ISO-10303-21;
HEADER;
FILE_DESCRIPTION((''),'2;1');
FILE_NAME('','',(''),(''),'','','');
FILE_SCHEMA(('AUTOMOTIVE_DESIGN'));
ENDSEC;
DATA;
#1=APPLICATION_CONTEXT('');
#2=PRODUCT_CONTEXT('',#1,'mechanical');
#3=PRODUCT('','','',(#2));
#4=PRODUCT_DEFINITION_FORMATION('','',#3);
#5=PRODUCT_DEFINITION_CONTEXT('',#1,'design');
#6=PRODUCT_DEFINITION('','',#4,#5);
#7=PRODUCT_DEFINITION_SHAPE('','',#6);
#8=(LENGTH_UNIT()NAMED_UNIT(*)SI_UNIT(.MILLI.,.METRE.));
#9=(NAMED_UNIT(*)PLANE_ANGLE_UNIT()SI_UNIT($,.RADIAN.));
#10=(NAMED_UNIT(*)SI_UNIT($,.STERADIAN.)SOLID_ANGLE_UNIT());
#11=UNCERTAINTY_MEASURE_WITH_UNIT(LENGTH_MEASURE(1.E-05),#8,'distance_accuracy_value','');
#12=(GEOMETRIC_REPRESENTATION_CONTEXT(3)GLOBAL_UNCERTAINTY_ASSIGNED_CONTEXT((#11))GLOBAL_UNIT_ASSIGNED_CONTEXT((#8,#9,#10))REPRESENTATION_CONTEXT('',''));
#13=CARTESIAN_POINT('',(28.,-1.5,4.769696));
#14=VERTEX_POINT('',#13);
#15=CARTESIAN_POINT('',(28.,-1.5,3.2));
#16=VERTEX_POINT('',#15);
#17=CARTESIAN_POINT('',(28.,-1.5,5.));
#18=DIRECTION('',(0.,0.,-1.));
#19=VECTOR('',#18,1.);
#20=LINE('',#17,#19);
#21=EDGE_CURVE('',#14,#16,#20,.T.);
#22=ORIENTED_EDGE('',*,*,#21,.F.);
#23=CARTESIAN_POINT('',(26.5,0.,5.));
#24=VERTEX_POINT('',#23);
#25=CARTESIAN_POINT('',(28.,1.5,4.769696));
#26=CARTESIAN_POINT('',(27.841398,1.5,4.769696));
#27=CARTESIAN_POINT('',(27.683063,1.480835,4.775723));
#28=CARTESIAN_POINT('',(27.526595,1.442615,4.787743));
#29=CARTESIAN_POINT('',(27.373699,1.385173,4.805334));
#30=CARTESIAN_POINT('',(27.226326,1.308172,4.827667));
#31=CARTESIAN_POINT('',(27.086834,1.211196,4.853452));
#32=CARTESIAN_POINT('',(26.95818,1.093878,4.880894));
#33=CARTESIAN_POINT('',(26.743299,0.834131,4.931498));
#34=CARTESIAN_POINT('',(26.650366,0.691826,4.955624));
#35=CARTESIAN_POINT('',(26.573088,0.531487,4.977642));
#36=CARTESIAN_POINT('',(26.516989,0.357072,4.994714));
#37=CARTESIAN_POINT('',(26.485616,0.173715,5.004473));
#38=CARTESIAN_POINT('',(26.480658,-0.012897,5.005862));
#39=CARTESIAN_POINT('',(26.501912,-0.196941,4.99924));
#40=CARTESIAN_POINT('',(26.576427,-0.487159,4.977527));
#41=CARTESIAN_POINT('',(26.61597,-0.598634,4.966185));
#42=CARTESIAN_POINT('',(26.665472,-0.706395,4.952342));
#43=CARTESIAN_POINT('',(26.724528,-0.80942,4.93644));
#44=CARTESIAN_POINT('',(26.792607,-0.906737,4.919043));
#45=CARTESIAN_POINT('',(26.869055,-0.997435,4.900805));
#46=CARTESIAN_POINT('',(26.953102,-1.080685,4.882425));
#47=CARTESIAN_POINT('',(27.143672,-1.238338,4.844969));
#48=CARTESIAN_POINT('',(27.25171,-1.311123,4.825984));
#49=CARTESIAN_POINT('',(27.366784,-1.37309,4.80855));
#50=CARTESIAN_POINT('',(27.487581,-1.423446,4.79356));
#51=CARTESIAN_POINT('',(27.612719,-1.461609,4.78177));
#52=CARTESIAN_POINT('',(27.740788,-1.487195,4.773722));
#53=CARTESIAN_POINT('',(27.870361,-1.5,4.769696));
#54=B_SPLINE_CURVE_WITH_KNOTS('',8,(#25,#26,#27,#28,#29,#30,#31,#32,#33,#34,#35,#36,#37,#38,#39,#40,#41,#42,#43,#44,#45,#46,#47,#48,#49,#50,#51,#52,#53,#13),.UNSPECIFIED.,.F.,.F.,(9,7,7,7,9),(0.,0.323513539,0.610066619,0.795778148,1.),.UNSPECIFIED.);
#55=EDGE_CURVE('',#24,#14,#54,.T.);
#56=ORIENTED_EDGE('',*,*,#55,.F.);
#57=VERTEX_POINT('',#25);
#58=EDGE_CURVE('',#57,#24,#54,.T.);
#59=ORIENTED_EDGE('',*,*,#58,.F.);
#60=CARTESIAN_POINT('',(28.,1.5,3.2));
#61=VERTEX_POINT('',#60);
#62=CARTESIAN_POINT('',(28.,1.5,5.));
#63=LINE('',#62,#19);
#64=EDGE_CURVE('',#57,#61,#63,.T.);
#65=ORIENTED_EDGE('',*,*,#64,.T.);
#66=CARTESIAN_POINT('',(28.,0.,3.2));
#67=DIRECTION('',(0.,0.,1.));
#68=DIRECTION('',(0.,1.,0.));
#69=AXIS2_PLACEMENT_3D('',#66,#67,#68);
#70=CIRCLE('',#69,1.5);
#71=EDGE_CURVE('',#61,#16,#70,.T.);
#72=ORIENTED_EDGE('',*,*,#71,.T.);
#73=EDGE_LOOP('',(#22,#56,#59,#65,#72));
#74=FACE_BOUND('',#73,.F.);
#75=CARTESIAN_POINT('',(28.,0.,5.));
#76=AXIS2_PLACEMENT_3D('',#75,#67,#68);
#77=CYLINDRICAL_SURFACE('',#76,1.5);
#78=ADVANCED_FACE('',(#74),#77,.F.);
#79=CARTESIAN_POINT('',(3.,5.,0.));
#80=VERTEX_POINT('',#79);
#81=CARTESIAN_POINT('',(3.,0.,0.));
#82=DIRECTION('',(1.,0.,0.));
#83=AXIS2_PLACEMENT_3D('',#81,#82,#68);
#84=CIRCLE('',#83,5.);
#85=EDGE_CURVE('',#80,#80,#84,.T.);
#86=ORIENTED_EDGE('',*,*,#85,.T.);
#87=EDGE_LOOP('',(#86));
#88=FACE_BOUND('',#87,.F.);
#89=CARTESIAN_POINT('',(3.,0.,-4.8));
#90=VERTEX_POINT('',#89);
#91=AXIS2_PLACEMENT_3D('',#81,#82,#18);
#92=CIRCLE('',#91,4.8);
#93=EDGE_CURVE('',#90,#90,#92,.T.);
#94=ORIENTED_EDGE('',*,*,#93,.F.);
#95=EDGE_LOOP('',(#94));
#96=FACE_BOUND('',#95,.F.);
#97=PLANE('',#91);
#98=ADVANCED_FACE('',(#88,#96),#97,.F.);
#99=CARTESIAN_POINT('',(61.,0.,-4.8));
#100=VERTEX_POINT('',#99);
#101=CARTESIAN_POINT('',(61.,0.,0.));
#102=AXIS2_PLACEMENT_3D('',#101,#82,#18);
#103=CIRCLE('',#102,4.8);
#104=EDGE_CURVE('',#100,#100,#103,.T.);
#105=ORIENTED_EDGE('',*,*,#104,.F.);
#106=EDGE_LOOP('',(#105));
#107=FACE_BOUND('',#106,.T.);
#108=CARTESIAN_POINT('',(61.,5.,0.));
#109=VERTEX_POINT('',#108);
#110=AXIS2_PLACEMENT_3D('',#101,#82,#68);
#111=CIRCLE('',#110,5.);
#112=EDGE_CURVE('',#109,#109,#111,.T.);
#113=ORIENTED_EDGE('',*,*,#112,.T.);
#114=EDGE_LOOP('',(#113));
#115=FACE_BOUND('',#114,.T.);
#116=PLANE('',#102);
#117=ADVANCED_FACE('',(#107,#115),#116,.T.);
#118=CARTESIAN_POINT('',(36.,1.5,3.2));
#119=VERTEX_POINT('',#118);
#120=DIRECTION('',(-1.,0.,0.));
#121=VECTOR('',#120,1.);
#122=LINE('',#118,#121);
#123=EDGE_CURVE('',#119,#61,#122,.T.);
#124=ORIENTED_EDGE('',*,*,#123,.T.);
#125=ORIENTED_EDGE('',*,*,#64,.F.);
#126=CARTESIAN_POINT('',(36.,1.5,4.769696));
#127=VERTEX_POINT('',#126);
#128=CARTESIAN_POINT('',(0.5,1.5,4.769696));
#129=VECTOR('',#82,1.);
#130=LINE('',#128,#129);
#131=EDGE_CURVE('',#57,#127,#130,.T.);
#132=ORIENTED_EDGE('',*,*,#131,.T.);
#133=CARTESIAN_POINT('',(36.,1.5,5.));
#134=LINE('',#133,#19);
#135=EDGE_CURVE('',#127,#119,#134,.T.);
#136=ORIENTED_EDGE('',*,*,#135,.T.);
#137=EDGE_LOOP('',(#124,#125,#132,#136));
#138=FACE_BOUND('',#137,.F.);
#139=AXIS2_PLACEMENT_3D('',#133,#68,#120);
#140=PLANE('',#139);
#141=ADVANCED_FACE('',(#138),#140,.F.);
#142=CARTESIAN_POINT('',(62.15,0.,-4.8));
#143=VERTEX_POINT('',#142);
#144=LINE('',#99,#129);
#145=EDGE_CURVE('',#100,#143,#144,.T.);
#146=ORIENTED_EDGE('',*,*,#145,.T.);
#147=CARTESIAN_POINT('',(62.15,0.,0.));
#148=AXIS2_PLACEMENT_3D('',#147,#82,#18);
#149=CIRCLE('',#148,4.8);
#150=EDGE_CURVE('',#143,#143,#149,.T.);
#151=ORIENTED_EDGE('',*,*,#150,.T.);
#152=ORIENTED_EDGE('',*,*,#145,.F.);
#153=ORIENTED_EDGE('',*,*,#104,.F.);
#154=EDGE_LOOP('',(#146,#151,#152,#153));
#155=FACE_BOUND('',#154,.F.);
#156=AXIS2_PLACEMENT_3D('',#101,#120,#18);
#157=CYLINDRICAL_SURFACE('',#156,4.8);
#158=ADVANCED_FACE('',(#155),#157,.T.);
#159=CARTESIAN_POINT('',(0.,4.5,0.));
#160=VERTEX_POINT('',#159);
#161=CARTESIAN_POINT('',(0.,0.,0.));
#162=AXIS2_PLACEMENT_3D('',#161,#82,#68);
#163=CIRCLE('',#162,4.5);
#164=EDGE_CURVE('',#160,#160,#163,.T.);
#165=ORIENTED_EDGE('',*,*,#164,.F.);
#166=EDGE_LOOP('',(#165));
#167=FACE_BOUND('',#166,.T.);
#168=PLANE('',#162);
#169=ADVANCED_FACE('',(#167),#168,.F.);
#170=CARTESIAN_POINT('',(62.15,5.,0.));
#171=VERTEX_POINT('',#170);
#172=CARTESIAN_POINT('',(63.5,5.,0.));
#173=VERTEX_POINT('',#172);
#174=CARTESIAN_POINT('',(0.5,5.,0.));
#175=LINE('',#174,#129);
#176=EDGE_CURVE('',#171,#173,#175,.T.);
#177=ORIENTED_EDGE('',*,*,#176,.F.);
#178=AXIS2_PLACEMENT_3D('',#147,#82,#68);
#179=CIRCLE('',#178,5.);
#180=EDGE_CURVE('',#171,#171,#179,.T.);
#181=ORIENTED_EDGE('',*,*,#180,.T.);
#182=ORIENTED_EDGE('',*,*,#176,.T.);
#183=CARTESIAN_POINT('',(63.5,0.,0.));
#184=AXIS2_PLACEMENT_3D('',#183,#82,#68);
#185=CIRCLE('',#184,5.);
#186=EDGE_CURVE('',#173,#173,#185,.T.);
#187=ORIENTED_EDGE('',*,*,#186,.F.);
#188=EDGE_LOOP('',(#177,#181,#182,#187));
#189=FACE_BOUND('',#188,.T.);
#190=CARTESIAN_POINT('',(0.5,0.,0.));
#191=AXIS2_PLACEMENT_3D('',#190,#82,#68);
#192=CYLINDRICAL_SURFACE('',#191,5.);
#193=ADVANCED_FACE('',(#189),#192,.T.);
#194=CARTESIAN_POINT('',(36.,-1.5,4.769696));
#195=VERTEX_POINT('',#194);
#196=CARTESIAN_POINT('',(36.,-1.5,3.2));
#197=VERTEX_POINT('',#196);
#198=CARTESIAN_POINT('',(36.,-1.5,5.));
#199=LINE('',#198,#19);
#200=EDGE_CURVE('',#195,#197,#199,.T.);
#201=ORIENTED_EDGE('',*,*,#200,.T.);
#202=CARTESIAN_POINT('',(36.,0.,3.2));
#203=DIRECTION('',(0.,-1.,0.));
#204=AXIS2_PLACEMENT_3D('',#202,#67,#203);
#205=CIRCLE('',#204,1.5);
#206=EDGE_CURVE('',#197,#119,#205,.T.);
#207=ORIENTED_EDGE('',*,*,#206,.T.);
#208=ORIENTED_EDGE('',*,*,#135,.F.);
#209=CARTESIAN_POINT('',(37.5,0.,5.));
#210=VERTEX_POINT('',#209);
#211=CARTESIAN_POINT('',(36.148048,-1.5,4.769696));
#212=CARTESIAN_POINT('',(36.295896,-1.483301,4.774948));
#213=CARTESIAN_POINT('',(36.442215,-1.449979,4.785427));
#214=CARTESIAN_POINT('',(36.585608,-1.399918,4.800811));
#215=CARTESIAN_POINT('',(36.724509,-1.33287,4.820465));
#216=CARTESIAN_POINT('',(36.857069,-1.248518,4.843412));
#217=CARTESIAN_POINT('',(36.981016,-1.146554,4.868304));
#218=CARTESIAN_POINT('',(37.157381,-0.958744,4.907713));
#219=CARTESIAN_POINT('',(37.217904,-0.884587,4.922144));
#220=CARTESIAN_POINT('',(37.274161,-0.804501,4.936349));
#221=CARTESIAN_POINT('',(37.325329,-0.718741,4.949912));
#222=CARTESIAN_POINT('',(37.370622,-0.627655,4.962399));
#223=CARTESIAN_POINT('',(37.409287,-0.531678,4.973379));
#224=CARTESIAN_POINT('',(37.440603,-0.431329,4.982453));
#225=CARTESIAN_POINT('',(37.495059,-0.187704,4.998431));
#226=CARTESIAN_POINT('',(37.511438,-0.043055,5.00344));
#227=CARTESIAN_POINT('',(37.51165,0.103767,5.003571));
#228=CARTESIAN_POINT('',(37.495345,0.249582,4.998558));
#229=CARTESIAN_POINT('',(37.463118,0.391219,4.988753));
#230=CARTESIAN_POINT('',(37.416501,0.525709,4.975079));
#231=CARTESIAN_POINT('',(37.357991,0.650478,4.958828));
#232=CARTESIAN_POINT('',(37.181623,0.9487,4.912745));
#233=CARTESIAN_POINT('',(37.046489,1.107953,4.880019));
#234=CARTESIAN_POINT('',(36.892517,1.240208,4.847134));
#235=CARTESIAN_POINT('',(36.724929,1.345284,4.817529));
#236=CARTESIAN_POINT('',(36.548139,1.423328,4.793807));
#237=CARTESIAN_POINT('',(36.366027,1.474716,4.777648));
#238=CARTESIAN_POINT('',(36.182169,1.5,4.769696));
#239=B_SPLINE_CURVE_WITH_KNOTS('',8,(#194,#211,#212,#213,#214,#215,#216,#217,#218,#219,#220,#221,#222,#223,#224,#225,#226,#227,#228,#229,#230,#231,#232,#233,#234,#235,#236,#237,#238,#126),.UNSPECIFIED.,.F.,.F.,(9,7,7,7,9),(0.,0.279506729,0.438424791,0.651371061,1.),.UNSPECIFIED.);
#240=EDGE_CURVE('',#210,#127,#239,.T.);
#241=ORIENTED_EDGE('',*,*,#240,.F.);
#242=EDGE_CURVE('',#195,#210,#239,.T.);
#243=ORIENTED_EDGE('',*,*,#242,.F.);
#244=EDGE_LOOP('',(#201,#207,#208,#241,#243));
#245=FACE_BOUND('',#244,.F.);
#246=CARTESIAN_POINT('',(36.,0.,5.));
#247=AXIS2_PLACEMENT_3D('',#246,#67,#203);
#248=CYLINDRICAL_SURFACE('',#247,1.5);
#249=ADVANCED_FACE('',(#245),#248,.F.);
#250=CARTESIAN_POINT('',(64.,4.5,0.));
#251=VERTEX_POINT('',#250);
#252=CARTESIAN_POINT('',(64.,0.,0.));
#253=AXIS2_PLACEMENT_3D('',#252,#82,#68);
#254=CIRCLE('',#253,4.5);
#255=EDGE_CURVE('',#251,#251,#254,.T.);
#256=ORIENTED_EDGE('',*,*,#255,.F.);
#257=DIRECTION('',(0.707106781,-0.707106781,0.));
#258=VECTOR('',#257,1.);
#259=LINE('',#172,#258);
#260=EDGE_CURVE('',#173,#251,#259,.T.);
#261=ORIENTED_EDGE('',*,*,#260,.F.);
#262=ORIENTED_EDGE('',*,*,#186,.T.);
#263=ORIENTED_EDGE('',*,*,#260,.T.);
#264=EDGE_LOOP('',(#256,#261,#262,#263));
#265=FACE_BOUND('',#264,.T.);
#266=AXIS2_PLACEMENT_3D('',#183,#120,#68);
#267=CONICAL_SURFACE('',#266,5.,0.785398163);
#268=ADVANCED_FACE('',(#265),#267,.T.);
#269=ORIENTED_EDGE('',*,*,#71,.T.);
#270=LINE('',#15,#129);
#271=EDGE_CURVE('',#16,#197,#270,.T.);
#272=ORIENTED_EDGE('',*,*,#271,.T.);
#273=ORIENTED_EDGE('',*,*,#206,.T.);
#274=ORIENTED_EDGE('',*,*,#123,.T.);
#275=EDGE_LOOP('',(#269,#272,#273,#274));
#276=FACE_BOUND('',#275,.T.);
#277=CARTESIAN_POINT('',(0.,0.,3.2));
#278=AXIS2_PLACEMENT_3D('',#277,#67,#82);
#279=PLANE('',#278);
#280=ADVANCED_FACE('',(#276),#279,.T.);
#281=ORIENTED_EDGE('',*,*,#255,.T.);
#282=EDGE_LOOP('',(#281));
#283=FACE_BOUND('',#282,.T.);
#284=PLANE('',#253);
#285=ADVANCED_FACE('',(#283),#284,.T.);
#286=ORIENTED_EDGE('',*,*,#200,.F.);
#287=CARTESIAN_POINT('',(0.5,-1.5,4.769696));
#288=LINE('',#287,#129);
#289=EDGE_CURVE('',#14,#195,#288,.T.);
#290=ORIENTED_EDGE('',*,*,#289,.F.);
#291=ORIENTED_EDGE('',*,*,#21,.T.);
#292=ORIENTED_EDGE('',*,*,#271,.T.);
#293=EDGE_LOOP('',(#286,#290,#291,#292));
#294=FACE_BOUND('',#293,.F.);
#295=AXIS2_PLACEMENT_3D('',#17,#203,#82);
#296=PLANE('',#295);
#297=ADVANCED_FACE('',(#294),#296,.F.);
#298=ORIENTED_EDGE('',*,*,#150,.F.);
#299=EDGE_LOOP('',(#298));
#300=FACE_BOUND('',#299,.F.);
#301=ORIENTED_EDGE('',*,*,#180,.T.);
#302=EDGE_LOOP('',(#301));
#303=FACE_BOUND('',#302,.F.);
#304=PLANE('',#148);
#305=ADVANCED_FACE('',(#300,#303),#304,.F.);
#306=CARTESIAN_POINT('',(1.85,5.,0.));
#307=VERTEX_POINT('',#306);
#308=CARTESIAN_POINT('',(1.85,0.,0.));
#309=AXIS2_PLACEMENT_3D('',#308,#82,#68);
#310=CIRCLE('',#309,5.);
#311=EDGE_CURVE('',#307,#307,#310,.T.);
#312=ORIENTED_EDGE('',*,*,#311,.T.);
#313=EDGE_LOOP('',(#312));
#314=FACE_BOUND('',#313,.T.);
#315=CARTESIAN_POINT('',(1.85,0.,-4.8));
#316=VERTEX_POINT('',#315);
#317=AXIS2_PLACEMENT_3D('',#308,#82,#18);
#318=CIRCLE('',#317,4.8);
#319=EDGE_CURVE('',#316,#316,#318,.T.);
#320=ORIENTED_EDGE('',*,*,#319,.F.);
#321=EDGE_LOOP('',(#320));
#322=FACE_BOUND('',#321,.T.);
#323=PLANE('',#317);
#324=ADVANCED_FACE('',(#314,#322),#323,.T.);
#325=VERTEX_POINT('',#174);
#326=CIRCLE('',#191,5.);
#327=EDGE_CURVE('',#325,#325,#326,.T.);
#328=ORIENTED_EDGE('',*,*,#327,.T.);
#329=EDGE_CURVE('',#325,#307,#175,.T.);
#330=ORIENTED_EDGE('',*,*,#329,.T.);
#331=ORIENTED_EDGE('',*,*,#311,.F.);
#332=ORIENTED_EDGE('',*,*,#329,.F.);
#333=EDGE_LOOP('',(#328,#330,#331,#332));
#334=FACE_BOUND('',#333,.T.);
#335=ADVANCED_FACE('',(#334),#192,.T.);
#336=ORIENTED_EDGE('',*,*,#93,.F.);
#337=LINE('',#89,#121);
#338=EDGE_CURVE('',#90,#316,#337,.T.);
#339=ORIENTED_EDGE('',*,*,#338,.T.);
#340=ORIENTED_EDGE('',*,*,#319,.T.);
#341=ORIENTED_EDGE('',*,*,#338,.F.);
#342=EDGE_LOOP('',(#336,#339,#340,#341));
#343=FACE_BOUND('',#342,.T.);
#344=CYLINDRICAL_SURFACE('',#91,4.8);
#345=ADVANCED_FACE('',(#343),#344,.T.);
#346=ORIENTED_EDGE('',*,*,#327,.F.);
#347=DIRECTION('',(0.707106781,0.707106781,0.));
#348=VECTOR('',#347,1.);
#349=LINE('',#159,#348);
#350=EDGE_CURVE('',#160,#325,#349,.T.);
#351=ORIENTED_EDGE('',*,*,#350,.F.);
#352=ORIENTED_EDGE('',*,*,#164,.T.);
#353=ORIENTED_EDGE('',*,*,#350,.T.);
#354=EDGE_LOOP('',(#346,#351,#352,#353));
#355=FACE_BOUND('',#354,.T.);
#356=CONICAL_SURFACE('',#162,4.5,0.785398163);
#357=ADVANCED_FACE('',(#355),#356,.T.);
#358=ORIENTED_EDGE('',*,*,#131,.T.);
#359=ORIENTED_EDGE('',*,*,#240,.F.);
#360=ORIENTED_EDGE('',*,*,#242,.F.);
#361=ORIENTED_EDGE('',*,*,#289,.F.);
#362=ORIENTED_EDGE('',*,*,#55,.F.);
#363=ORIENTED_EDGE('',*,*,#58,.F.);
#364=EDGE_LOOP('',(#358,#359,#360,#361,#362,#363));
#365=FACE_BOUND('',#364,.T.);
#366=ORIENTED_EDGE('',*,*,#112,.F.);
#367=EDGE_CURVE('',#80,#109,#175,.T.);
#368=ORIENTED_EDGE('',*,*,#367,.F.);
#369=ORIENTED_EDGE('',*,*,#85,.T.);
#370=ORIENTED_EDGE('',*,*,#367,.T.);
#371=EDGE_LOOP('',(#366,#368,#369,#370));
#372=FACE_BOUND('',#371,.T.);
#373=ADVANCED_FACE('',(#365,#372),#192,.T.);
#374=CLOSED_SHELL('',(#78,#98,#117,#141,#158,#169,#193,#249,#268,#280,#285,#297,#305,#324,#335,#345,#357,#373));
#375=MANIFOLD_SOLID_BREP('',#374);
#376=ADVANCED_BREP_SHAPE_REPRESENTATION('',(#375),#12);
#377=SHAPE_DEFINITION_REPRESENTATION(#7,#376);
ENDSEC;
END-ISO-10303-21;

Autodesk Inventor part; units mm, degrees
sketch "Sketch_1" plane through (0, 0, 0) normal (0, 0, 1) x (1, 0, 0)
  line L0 (64, 0) -> (0, 0)
  line L1 (0, 0) -> (0, 4.5)
  line L2 (0, 4.5) -> (0.5, 5)
  line L3 (0.5, 5) -> (63.5, 5)
  line L4 (63.5, 5) -> (64, 4.5)
  line L5 (64, 4.5) -> (64, 0)
  line L6 (64, 0) -> (0, 0)
revolve "Revolution1" add sketch "Sketch_1" angle 360 about axis through (64, 0, 0) along (1, 0, 0)
sketch "_____10" plane through (0, 0, 5) normal (0, 0, 1) x (1, 0, 0)
  arc A0 (28, 1.5) -> (28, -1.5) centre (28, 0) ccw
  line L0 (28, -1.5) -> (36, -1.5)
  arc A1 (36, -1.5) -> (36, 1.5) centre (36, 0) ccw
  line L1 (36, 1.5) -> (28, 1.5)
extrude "Extrusion1" cut sketch "_____10" against normal blind 1.8
sketch "_____5" plane through (3, 0, 0) normal (1, 0, 0) x (0, 0, -1)
  circle A0 centre (0, 0) radius 10
  circle A1 centre (0, 0) radius 4.8
extrude "Extrusion2" cut sketch "_____5" against normal blind 1.15
sketch "_____6" plane through (61, 0, 0) normal (1, 0, 0) x (0, 0, -1)
  circle A0 centre (0, 0) radius 10
  circle A1 centre (0, 0) radius 4.8
extrude "Extrusion3" cut sketch "_____6" along normal blind 1.15
ref_plane "COMBINATION_MODULE_XY" through (0, 0, 0) normal (1, 0, 0) x (0, 0, -1)
ref_plane "COMBINATION_MODULE_YZ" through (0, 0, 0) normal (0, 0, -1) x (0, 1, 0)
ref_plane "COMBINATION_MODULE_ZX" through (0, 0, 0) normal (0, 1, 0) x (1, 0, 0)
ref_plane "to_ring_b_XY" through (2.425, 0, 0) normal (1, 0, 0) x (0, 0, -1)
ref_plane "to_ring_b_YZ" through (2.425, 0, 0) normal (0, 0, -1) x (0, 1, 0)
ref_plane "to_ring_b_ZX" through (2.425, 0, 0) normal (0, 1, 0) x (1, 0, 0)
ref_plane "to_ring_s_XY" through (61.575, 0, 0) normal (1, 0, 0) x (0, 0, -1)
ref_plane "to_ring_s_YZ" through (61.575, 0, 0) normal (0, 0, -1) x (0, 1, 0)
ref_plane "to_ring_s_ZX" through (61.575, 0, 0) normal (0, 1, 0) x (1, 0, 0)
properties part number "NSFMRRA10-64-B3-S3-KC26.5-A11(000_000)_s"
